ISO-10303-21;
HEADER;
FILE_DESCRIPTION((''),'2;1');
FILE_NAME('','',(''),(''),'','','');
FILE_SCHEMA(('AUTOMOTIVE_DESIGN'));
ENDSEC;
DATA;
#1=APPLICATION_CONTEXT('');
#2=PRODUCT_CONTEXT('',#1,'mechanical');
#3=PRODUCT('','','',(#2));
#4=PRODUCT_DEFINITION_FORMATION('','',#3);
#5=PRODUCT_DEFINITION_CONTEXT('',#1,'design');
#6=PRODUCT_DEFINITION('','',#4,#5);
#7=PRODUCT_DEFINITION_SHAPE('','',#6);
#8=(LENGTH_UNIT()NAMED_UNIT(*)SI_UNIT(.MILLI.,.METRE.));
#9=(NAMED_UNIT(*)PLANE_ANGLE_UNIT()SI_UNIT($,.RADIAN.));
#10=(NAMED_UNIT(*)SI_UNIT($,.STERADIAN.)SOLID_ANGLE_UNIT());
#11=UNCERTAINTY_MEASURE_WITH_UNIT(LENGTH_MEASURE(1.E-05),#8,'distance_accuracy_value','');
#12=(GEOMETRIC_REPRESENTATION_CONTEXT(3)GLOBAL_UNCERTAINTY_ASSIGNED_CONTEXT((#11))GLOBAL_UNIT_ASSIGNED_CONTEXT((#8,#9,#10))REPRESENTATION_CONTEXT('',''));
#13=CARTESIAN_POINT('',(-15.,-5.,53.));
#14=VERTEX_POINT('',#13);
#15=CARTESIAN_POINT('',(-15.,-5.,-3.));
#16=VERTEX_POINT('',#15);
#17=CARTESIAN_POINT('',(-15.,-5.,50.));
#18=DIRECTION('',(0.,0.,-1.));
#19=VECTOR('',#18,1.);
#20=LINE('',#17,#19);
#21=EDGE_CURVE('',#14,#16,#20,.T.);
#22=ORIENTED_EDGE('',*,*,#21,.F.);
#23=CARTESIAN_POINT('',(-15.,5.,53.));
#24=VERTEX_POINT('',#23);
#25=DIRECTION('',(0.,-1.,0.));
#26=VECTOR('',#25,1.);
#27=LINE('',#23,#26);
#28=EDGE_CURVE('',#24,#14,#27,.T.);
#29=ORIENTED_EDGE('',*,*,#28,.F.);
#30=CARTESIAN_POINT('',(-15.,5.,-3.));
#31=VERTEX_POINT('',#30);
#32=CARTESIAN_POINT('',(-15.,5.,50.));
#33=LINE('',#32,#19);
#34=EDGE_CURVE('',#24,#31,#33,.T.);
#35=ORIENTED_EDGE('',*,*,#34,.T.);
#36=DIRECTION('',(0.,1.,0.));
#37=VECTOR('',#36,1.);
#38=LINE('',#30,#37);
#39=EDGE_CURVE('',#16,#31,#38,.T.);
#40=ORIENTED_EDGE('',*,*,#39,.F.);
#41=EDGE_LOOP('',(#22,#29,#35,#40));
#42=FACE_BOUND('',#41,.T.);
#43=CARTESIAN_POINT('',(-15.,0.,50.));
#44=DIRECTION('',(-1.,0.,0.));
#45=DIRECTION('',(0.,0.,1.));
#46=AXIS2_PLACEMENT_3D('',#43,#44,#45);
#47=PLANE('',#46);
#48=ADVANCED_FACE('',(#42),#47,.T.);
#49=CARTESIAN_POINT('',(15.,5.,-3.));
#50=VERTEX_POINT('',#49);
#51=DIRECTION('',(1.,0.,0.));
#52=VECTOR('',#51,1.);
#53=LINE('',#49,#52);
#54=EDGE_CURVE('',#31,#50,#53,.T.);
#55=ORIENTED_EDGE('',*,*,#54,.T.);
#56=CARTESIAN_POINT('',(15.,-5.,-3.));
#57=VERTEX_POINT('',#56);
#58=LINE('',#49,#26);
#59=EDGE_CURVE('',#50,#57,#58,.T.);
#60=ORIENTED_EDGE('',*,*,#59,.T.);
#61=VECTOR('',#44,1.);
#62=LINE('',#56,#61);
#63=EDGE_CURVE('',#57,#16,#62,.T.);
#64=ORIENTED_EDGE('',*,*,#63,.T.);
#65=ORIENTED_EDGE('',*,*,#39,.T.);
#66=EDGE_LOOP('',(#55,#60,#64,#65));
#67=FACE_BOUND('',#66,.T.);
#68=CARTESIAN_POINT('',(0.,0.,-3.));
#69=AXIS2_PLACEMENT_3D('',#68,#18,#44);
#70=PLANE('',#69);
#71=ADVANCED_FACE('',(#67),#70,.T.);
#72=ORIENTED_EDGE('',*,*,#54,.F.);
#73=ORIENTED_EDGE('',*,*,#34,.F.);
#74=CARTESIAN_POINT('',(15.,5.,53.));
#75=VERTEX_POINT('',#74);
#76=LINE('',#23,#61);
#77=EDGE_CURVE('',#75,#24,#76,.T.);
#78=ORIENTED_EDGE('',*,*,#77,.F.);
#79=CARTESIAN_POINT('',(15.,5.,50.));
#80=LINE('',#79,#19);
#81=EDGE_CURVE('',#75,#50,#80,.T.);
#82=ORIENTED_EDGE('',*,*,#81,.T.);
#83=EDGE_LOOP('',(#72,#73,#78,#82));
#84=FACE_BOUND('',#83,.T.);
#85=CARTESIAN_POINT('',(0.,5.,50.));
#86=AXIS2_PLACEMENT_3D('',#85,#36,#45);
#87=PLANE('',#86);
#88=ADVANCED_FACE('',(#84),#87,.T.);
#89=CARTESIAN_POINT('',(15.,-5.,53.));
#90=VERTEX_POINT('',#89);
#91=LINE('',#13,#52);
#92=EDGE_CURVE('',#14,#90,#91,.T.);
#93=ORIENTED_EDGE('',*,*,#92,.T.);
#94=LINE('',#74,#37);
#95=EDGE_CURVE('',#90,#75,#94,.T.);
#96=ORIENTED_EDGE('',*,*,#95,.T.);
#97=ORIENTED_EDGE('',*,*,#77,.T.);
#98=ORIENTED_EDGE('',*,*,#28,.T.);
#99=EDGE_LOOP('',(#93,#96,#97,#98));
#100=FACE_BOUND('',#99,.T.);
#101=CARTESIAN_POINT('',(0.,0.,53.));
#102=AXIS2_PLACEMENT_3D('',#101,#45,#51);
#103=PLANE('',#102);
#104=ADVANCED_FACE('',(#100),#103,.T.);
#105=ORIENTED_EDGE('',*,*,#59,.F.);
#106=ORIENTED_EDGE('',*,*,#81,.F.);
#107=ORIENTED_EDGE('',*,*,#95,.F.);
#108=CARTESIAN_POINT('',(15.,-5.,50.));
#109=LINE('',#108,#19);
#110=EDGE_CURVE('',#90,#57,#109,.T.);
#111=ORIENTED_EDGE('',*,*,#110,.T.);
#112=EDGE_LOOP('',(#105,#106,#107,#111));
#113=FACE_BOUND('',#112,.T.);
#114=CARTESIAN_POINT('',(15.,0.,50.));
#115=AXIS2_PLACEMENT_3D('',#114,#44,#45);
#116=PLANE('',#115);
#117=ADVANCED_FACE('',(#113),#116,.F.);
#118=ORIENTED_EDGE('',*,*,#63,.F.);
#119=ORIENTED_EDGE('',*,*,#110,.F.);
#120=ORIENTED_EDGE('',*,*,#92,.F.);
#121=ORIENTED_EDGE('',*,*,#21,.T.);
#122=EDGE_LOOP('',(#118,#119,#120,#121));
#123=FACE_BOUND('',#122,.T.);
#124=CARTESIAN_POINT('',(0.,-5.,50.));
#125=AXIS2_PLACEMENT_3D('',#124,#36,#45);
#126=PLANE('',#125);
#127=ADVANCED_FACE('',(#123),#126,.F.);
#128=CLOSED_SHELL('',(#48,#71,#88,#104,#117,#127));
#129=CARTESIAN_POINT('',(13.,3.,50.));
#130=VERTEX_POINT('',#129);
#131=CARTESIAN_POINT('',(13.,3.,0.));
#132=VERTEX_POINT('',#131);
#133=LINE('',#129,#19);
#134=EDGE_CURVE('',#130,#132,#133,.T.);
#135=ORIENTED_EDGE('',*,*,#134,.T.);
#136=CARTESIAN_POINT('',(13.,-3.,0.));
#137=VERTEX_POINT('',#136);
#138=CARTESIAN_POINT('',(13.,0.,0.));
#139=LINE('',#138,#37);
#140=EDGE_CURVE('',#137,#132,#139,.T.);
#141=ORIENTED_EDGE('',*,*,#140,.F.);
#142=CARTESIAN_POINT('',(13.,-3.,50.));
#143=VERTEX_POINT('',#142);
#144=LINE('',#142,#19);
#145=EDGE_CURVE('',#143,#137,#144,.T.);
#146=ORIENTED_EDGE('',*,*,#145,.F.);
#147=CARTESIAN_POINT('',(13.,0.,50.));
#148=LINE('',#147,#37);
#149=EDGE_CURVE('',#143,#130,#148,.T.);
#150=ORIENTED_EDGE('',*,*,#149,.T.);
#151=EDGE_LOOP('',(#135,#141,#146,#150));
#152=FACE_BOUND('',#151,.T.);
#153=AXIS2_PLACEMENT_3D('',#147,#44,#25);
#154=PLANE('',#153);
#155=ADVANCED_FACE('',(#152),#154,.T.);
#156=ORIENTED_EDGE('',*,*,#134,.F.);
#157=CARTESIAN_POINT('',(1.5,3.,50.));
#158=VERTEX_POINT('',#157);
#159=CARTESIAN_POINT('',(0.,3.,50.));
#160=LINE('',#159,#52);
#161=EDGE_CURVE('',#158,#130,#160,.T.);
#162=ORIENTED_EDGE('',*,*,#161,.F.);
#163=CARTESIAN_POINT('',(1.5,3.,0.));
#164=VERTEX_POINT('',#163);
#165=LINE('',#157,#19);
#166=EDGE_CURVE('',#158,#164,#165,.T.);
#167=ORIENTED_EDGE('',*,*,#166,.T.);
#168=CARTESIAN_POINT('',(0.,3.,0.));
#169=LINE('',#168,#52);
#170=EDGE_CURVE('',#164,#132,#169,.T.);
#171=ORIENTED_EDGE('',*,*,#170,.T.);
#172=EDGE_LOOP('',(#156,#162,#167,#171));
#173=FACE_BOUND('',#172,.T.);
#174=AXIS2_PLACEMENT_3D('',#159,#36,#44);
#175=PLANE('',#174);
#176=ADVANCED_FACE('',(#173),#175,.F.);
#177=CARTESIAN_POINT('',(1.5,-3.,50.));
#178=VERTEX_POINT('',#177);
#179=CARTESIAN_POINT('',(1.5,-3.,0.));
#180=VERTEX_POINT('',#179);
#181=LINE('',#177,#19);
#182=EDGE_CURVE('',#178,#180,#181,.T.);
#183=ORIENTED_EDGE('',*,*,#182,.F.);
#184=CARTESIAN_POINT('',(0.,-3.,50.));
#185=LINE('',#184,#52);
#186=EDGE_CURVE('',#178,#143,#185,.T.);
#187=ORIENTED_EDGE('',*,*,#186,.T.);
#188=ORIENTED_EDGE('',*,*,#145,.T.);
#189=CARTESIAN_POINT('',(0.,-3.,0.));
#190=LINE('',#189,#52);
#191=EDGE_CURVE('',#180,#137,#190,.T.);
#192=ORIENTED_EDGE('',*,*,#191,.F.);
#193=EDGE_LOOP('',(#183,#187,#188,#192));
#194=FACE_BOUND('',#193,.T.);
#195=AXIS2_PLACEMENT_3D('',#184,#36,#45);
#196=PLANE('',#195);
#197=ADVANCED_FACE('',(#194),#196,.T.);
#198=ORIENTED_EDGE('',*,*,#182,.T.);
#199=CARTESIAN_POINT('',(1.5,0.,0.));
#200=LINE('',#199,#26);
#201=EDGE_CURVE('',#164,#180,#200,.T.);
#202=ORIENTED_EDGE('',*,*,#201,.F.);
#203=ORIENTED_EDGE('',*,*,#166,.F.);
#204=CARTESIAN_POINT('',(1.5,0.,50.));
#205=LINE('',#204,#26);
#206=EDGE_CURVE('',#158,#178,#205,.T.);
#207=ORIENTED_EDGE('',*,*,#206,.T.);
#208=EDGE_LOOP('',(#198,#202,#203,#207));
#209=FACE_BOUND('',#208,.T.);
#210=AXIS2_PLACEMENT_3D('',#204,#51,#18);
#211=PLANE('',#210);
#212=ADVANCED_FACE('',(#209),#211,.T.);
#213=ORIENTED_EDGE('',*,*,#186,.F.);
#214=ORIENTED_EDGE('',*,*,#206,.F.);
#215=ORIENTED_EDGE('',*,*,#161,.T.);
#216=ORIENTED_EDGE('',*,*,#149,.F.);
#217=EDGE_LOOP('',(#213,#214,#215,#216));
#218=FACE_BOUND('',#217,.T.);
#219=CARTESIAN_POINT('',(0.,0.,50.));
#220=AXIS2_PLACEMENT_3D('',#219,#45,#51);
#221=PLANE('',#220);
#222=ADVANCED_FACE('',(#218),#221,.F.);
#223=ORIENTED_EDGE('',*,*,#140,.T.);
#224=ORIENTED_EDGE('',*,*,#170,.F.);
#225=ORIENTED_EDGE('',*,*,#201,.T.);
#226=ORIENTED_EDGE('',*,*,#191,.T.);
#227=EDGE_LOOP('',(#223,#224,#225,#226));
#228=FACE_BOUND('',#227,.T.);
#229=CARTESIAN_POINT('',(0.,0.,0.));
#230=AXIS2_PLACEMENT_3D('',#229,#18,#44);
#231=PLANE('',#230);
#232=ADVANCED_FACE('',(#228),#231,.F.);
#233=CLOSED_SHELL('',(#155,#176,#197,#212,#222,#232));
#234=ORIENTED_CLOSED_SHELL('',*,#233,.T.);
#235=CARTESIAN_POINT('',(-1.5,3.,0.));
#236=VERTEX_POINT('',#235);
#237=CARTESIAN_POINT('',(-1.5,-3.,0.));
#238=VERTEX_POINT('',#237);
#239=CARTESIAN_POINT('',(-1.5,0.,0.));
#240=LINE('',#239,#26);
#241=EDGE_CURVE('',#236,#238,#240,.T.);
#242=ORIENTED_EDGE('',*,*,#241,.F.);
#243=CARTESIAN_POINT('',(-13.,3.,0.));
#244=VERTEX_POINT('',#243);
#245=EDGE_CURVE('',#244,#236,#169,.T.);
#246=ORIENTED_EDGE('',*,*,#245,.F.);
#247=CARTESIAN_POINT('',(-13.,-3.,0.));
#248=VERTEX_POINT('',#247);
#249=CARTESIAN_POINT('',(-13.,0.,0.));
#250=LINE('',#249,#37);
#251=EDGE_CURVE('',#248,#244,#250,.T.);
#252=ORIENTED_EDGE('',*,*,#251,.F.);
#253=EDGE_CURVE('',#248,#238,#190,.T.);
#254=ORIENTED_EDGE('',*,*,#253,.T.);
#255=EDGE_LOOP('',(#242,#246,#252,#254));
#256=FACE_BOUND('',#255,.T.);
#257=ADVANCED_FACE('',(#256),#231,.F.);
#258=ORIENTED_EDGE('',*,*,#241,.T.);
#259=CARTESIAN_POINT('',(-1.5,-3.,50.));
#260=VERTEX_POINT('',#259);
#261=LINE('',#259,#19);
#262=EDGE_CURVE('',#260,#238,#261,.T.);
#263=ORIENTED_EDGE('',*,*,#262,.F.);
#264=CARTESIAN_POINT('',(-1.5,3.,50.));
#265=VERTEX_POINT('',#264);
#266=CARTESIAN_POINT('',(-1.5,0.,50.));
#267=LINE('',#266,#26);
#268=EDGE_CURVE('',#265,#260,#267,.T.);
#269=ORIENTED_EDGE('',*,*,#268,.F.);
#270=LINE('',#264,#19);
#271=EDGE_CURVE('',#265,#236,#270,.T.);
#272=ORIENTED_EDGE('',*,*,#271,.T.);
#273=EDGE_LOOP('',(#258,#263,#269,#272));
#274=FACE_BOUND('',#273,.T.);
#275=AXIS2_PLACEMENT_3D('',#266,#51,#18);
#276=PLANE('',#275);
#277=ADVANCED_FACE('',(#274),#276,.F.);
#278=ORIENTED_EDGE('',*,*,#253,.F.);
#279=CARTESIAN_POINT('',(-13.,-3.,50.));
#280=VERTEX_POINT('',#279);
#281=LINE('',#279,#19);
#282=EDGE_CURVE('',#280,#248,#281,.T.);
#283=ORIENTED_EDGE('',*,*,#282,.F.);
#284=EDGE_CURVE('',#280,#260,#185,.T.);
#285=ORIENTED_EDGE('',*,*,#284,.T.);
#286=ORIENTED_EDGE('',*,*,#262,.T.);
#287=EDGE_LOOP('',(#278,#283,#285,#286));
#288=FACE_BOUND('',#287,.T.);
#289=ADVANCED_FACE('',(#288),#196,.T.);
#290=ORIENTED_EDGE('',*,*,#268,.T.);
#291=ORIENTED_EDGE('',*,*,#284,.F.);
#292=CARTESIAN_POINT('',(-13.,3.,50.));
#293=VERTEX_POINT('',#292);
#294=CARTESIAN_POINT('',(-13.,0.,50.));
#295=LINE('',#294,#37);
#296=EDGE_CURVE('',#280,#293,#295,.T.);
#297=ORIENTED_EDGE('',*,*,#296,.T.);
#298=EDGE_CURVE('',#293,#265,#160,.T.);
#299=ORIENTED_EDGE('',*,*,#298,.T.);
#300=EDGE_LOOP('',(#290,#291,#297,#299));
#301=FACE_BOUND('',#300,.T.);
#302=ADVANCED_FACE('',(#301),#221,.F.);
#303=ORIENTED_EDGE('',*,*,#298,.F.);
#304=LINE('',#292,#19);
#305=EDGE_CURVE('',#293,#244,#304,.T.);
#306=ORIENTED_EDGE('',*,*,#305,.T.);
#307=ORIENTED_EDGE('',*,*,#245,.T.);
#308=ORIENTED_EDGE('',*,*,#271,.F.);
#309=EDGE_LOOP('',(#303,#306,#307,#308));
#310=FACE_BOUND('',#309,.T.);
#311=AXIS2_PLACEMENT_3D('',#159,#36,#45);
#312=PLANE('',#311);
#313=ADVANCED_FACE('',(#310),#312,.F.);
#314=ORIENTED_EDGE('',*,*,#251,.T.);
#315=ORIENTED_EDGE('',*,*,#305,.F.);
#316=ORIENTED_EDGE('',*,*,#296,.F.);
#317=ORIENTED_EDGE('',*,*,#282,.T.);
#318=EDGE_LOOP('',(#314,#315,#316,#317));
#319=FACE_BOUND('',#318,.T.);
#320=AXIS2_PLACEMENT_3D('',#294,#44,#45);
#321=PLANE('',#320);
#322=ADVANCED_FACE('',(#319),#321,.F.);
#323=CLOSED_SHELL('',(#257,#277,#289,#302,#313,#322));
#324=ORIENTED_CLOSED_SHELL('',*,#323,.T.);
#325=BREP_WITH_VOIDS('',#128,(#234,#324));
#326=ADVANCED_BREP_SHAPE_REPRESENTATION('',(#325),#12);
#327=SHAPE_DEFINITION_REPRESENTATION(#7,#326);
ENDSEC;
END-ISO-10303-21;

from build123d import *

# Parameters (mm, degrees)
EXTRUDE_1_DEPTH = 50
SKETCH_20_W     = 30
SKETCH_20_H     = 10
EXTRUDE_2_DEPTH = 3
SKETCH_21_W     = 30
SKETCH_21_H     = 10
EXTRUDE_3_DEPTH = 3


with BuildPart() as part:
    # 草图1 → 凸台-拉伸1 (new body)
    with BuildSketch(Plane.XY):
        Polygon((-1.5, -3), (-13, -3), (-13, 3), (-1.5, 3), (-1.5, 5), (-15, 5), (-15, -5), (-1.5, -5), align=None)
        Polygon((-1.5, 3), (-1.5, -3), (-1.5, -5), (1.5, -5), (1.5, -3), (1.5, 3), (1.5, 5), (-1.5, 5), align=None)
        Polygon((1.5, -3), (1.5, -5), (15, -5), (15, 5), (1.5, 5), (1.5, 3), (13, 3), (13, -3), align=None)
    extrude(amount=EXTRUDE_1_DEPTH)

    # 草图20 → 凸台-拉伸2 (add)
    with BuildSketch(Plane(origin=(0, 0, 0), x_dir=(-1, 0, 0), z_dir=(0, 0, -1))):
        Rectangle(SKETCH_20_W, SKETCH_20_H)
    extrude(amount=EXTRUDE_2_DEPTH)

    # 草图21 → 凸台-拉伸3 (add)
    with BuildSketch(Plane.XY.offset(50)):
        Rectangle(SKETCH_21_W, SKETCH_21_H)
    extrude(amount=EXTRUDE_3_DEPTH)


solid = part.part
